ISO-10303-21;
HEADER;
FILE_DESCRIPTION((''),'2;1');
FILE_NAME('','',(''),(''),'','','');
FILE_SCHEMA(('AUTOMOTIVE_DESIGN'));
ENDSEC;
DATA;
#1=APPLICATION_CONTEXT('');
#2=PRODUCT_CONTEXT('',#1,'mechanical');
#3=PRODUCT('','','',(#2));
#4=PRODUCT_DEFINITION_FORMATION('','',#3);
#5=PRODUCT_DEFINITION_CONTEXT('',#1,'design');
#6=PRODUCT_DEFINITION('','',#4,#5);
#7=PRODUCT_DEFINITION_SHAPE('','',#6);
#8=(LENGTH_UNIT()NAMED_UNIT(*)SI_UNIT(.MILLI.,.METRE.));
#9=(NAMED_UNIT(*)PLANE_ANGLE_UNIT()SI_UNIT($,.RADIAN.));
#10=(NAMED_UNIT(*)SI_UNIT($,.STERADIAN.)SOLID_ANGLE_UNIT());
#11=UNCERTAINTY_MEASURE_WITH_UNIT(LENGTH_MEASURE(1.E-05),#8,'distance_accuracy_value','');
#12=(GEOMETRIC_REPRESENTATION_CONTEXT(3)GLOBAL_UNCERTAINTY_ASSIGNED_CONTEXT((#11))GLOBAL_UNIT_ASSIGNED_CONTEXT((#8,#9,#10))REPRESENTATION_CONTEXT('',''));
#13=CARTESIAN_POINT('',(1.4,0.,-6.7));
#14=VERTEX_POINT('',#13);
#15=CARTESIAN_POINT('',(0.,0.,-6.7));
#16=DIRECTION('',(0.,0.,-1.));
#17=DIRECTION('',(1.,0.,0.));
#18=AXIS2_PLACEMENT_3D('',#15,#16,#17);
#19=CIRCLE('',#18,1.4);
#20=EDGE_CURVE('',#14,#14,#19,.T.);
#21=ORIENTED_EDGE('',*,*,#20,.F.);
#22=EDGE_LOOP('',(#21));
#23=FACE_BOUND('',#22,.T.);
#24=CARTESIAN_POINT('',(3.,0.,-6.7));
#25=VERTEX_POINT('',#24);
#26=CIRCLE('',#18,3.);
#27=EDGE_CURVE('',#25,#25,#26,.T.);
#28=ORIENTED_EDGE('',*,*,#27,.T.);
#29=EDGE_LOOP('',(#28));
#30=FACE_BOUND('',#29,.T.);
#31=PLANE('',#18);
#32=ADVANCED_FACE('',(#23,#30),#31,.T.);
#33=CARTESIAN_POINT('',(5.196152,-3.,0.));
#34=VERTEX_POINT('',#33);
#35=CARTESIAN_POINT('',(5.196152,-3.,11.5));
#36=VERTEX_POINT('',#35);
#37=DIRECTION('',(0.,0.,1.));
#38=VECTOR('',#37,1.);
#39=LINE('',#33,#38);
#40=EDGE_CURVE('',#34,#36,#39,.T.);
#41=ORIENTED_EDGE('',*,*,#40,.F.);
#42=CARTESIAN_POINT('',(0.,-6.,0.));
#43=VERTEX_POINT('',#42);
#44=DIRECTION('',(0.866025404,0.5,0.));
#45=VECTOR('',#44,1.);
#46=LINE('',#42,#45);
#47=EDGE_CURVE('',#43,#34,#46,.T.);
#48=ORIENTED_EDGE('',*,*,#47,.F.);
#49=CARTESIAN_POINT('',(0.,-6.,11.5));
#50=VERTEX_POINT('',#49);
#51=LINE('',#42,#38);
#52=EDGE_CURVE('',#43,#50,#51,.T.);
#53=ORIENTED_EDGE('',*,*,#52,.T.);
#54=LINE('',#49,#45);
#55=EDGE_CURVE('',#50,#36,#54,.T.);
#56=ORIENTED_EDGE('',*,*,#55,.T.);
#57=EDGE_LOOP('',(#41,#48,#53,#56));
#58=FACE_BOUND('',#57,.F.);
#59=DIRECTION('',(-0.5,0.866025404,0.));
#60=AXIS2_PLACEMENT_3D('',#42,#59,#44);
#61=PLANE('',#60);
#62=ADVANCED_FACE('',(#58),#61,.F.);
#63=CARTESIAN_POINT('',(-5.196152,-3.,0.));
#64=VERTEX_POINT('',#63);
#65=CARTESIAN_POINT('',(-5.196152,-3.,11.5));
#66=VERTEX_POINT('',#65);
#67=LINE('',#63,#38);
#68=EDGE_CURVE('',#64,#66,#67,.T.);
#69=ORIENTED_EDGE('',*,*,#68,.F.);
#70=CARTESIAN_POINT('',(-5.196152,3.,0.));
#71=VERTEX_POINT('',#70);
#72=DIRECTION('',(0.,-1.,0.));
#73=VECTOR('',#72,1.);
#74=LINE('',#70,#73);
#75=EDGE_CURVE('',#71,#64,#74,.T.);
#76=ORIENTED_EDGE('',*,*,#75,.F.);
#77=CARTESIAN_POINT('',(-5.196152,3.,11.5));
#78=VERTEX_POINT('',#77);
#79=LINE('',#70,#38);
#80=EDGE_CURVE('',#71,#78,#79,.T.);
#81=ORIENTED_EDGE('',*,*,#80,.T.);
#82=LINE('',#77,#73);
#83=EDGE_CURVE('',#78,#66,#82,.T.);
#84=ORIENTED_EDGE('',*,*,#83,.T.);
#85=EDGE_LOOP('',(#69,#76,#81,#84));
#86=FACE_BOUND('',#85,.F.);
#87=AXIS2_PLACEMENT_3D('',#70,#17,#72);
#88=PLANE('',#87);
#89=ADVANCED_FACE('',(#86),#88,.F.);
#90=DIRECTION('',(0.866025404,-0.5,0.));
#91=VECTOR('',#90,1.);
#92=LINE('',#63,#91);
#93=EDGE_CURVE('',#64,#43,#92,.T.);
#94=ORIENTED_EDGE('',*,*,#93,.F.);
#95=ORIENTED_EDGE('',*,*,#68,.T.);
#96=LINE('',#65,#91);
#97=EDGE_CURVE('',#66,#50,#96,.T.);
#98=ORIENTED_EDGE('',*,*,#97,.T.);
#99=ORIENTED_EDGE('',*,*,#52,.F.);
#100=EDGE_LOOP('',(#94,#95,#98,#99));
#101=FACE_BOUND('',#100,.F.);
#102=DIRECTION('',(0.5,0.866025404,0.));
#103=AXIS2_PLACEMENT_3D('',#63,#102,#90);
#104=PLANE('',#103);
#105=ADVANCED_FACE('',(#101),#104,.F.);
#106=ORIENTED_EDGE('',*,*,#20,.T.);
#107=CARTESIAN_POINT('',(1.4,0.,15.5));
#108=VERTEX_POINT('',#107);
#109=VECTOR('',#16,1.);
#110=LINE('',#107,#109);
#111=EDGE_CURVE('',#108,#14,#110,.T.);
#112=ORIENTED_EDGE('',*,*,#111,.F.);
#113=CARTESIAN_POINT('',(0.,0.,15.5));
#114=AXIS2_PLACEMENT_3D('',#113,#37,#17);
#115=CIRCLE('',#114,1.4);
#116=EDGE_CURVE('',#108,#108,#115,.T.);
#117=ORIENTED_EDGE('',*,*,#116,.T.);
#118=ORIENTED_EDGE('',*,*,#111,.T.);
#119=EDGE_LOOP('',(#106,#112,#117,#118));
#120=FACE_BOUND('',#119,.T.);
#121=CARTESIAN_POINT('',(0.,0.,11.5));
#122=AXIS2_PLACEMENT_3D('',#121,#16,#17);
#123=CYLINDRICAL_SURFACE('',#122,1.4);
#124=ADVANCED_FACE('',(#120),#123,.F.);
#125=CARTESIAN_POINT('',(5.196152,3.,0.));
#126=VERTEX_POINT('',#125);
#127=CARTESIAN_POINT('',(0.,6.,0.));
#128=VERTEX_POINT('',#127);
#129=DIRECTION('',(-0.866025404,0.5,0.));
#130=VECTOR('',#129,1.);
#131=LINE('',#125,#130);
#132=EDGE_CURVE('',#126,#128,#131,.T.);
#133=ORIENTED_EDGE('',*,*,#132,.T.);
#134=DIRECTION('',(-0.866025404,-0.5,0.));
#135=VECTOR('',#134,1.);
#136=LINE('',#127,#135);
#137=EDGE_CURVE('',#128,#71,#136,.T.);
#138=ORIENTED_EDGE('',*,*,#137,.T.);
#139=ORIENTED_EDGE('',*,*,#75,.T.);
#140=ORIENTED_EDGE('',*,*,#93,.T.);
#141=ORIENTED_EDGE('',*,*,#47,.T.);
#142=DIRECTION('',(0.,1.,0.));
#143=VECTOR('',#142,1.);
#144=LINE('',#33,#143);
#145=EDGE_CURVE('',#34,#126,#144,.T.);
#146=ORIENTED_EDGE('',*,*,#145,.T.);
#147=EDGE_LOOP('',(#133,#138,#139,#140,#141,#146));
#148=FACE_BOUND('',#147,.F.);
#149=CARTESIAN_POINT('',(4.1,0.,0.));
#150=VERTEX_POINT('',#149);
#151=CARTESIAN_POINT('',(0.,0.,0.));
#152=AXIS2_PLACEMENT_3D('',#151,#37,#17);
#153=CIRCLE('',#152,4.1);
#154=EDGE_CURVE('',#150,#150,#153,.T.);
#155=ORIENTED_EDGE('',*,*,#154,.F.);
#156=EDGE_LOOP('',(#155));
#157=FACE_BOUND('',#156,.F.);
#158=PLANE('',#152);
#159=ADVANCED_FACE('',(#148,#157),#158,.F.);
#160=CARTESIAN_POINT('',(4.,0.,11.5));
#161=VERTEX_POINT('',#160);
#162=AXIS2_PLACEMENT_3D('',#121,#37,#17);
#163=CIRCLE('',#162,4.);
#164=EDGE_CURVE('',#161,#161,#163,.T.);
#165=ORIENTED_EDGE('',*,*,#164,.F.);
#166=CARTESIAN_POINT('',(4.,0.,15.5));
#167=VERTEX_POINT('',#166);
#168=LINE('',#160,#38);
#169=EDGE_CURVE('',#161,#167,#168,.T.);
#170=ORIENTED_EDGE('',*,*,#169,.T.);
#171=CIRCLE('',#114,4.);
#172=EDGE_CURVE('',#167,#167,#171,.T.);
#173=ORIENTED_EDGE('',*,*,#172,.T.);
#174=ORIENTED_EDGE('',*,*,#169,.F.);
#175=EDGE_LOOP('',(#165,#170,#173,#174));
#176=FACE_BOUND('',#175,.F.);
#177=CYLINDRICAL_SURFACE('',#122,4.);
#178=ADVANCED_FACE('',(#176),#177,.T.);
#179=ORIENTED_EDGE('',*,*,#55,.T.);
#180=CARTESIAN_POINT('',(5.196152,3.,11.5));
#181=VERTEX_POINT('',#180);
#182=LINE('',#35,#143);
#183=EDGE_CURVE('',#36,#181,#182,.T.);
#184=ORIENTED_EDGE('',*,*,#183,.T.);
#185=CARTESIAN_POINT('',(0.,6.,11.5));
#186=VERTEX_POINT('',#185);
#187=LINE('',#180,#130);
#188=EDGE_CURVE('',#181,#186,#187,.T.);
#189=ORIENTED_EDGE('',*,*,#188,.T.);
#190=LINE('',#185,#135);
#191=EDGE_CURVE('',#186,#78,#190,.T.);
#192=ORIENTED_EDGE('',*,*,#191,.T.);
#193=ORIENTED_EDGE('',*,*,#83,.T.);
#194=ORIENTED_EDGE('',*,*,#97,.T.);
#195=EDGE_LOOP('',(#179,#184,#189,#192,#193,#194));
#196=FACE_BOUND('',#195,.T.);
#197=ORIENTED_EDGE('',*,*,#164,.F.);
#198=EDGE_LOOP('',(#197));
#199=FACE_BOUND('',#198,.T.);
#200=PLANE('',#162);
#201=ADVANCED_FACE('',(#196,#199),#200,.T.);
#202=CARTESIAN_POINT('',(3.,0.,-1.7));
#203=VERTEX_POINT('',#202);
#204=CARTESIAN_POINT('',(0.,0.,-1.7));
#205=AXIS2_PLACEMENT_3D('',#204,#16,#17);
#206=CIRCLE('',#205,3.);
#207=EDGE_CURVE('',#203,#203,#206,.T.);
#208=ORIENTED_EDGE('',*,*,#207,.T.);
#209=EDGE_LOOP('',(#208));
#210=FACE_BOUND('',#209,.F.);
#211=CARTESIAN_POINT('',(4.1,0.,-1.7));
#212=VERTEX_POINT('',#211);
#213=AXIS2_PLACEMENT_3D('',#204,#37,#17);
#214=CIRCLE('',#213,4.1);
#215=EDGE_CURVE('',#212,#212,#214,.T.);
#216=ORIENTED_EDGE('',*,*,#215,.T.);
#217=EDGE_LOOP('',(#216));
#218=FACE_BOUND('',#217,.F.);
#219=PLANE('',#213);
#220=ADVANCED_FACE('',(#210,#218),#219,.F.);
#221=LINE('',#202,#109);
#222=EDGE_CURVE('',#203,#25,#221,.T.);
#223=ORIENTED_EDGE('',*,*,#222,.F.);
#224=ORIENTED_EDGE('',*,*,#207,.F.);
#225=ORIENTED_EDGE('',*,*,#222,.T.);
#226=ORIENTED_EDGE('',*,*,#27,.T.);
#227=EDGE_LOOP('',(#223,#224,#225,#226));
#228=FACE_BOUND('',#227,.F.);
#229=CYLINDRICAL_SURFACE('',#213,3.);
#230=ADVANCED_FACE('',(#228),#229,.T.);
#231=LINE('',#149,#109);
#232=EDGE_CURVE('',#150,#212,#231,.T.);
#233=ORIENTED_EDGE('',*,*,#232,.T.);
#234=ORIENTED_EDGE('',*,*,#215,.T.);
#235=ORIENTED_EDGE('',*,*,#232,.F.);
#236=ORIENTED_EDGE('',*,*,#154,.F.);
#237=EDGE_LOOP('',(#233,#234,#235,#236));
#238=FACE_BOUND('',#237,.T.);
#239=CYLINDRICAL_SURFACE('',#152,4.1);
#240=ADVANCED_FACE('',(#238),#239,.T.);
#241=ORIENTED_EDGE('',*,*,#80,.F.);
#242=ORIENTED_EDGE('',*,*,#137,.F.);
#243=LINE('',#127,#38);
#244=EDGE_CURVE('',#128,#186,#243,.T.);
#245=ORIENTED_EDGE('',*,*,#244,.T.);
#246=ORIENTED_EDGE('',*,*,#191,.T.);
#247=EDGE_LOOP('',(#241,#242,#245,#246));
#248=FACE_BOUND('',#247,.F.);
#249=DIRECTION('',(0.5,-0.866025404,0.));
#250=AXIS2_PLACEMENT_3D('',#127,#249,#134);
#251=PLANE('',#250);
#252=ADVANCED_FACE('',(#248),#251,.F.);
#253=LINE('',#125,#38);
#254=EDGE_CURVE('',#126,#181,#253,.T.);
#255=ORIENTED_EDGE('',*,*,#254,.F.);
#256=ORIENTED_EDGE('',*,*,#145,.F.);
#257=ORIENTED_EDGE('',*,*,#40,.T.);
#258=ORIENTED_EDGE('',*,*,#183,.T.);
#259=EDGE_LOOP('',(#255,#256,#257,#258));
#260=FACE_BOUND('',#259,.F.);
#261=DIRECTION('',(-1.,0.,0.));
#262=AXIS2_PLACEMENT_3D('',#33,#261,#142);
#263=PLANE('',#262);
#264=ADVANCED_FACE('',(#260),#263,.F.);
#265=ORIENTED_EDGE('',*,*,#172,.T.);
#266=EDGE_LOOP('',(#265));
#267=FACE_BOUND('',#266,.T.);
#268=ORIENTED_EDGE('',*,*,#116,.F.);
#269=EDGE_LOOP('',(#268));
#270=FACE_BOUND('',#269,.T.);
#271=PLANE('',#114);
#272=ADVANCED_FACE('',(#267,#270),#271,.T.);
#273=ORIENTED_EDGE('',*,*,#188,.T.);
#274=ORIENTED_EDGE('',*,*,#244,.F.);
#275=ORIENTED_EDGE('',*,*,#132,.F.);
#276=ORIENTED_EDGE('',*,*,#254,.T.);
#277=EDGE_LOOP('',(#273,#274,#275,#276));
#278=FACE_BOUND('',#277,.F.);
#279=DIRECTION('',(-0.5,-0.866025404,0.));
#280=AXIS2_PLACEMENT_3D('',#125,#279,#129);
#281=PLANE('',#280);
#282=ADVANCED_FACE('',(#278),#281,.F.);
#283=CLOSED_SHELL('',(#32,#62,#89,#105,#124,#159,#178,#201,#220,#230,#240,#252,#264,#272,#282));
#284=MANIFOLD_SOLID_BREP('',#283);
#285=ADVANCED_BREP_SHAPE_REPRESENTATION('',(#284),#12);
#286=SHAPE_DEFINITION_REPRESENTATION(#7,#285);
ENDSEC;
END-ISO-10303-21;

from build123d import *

# Parameters (mm, degrees)
F0_R     = 4.1
F0_R_2   = 1.4
F1_DEPTH = 1.7
F2_R     = 3
F2_R_2   = 1.4
F3_DEPTH = 5
F4_DEPTH = 11.5
F5_R     = 4
F5_R_2   = 1.4
F6_DEPTH = 4


with BuildPart() as f1:
    # F0 (on Top) → F1 (new body)
    with BuildSketch(Plane.XY):
        Circle(F0_R)
        Circle(F0_R_2, mode=Mode.SUBTRACT)
    extrude(amount=-F1_DEPTH)

    # F2 (on face) → F3 (join)
    with BuildSketch(Plane(origin=(0, 0, -1.7), x_dir=(1, 0, 0), z_dir=(0, 0, -1))):
        Circle(F2_R)
        Circle(F2_R_2, mode=Mode.SUBTRACT)
    extrude(amount=F3_DEPTH)

    # F0 (on Top) → F4 (join)
    with BuildSketch(Plane.XY):
        Polygon((5.1961524227, -3), (5.1961524227, 3), (0, 6), (-5.1961524227, 3), (-5.1961524227, -3), (0, -6), align=None)
        Circle(F0_R, mode=Mode.SUBTRACT)
        Circle(F0_R)
        Circle(F0_R_2, mode=Mode.SUBTRACT)
    extrude(amount=F4_DEPTH)

    # F5 (on face) → F6 (join)
    with BuildSketch(Plane.XY.offset(11.5)):
        Circle(F5_R)
        Circle(F5_R_2, mode=Mode.SUBTRACT)
    extrude(amount=F6_DEPTH)


solid = f1.part
